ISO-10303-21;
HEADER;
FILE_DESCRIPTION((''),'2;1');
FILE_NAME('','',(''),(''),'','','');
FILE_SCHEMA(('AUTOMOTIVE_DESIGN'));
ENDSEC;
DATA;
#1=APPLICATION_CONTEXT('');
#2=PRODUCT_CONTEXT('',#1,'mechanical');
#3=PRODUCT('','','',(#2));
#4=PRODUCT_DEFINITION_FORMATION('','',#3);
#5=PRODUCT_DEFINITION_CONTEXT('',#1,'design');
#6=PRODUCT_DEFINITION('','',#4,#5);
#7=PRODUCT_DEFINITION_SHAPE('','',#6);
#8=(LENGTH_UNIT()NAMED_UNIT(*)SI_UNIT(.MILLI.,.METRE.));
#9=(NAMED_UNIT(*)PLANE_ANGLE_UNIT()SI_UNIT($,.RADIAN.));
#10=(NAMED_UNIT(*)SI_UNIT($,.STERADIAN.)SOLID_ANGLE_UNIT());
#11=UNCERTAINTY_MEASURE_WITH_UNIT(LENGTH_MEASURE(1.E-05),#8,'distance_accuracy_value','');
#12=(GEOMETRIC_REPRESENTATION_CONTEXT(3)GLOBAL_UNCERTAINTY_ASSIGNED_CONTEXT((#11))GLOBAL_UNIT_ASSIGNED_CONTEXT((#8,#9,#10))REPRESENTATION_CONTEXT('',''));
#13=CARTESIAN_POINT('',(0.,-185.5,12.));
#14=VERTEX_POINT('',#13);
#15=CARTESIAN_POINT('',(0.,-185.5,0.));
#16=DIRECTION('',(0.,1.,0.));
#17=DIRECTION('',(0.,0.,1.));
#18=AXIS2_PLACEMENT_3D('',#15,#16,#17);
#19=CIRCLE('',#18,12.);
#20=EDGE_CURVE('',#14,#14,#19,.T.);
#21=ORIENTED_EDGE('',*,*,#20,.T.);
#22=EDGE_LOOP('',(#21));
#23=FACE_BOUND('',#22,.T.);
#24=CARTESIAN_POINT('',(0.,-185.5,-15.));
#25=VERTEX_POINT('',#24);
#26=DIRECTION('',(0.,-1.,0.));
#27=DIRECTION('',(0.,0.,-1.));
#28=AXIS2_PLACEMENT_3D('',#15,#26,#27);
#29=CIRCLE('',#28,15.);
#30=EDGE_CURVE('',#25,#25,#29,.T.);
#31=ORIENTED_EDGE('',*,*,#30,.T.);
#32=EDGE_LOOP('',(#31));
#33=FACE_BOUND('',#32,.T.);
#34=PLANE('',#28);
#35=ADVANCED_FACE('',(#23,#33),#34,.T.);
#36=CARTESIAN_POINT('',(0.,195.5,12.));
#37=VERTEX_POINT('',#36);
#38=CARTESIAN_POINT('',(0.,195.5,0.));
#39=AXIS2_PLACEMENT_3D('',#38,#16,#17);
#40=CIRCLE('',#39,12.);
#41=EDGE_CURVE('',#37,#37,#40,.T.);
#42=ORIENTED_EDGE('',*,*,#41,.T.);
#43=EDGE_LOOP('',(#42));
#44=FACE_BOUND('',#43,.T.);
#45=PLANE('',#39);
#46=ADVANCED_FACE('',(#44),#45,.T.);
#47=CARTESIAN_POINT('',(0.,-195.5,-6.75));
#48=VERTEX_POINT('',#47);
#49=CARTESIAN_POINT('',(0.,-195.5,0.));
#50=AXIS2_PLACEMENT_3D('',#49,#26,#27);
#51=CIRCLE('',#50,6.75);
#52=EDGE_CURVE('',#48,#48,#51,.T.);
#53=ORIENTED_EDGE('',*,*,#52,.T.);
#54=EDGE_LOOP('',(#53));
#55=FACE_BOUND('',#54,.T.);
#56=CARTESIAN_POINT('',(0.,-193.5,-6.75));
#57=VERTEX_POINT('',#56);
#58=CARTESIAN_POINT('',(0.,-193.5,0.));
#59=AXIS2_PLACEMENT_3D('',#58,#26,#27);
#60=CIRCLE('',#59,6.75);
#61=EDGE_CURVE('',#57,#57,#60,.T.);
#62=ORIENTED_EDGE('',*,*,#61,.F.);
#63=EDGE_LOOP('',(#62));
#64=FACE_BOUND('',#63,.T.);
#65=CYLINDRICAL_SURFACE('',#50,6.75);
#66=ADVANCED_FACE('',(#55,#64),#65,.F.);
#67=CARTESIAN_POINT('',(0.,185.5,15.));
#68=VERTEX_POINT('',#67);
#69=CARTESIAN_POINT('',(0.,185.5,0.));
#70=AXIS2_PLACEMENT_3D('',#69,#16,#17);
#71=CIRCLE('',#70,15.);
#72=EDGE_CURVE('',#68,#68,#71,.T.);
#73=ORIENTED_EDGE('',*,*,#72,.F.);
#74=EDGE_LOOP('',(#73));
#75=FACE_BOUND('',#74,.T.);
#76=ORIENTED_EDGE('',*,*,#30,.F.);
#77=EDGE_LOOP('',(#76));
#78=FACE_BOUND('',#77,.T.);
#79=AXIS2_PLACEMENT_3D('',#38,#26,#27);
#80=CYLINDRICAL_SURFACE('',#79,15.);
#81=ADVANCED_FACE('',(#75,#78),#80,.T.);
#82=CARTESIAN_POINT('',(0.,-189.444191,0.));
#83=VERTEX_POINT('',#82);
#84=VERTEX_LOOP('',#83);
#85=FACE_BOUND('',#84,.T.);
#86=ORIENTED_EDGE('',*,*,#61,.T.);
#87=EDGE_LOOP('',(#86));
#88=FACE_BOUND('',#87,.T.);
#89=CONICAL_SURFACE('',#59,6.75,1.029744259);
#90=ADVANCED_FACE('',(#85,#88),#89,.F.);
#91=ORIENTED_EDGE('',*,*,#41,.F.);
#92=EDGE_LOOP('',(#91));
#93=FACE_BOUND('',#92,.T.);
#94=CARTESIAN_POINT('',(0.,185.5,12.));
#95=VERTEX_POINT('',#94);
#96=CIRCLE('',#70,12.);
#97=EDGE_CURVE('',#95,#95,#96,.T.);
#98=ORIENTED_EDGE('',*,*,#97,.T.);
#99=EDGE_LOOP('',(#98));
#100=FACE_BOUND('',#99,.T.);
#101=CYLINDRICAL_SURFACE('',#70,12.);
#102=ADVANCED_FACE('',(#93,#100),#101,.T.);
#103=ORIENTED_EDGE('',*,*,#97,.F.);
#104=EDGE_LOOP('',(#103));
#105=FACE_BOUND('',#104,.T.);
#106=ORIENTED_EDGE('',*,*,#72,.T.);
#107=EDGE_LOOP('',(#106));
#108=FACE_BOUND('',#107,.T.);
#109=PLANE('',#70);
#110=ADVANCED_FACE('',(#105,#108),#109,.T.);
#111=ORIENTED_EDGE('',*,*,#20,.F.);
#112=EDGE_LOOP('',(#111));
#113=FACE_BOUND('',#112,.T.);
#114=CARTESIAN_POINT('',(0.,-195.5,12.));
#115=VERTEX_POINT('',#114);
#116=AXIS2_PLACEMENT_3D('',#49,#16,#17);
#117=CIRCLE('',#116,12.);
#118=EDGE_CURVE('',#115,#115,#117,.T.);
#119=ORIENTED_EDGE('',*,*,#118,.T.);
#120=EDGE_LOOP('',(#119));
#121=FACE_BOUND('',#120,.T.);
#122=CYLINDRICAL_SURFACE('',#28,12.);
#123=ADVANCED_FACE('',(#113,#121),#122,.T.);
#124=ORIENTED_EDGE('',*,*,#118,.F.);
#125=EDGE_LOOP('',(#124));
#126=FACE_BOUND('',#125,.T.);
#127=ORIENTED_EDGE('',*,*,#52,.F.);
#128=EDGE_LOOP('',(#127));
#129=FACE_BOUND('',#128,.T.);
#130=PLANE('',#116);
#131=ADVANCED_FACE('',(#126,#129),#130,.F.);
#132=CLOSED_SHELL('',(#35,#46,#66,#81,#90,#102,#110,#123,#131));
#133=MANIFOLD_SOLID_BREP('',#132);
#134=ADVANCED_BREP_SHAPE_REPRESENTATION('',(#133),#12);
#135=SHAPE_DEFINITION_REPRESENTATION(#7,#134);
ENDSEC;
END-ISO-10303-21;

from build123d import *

# Parameters (mm, degrees)
SKETCH1_R                        = 15
BOSS_EXTRUDE1_DEPTH              = 195.5
SKETCH2_OUTSIDE_W                = 110.66
SKETCH2_OUTSIDE_H                = 110.66
SKETCH2_OUTSIDE_R                = 12
CUT_EXTRUDE1_DEPTH               = 10
F_13_5_13_5_DIAMETER_HOLE1_D     = 13.5
F_13_5_13_5_DIAMETER_HOLE1_DEPTH = 2
F_13_5_13_5_DIAMETER_HOLE1_TIP   = 4.055809178


with BuildPart() as part:
    # Sketch1 → Boss-Extrude1 (new, symmetric)
    with BuildSketch(Plane(origin=(0, 0, 0), x_dir=(1, 0, 0), z_dir=(0, 1, 0))):
        with Locations(Location((0, 0, 0), (0, 0, 270))):
            Circle(SKETCH1_R)
    extrude(amount=BOSS_EXTRUDE1_DEPTH, both=True)

    # Sketch2 outside → Cut-Extrude1 (cut)
    with BuildSketch(Plane(origin=(0, 195.5, 0), x_dir=(1, 0, 0), z_dir=(0, 1, 0))):
        Rectangle(SKETCH2_OUTSIDE_W, SKETCH2_OUTSIDE_H)
        with Locations(Location((0, 0, 0), (0, 0, 270))):
            Circle(SKETCH2_OUTSIDE_R, mode=Mode.SUBTRACT)
    cut_extrude1 = extrude(amount=-CUT_EXTRUDE1_DEPTH, mode=Mode.SUBTRACT)

    # Mirror1: Cut-Extrude1 across plane
    add(cut_extrude1.mirror(Plane.ZX), mode=Mode.SUBTRACT)

    # Ø13.5 (13.5) Diameter Hole1
    with Locations(Plane(origin=(0, -195.5, 0), x_dir=(-1, 0, 0), z_dir=(0, -1, 0))):
        with Locations((0, 0)):
            Hole(F_13_5_13_5_DIAMETER_HOLE1_D / 2, depth=F_13_5_13_5_DIAMETER_HOLE1_DEPTH)
            with Locations((0, 0, -(F_13_5_13_5_DIAMETER_HOLE1_DEPTH + F_13_5_13_5_DIAMETER_HOLE1_TIP / 2))):  # 118° drill point
                Cone(0, F_13_5_13_5_DIAMETER_HOLE1_D / 2, F_13_5_13_5_DIAMETER_HOLE1_TIP, mode=Mode.SUBTRACT)


solid = part.part
